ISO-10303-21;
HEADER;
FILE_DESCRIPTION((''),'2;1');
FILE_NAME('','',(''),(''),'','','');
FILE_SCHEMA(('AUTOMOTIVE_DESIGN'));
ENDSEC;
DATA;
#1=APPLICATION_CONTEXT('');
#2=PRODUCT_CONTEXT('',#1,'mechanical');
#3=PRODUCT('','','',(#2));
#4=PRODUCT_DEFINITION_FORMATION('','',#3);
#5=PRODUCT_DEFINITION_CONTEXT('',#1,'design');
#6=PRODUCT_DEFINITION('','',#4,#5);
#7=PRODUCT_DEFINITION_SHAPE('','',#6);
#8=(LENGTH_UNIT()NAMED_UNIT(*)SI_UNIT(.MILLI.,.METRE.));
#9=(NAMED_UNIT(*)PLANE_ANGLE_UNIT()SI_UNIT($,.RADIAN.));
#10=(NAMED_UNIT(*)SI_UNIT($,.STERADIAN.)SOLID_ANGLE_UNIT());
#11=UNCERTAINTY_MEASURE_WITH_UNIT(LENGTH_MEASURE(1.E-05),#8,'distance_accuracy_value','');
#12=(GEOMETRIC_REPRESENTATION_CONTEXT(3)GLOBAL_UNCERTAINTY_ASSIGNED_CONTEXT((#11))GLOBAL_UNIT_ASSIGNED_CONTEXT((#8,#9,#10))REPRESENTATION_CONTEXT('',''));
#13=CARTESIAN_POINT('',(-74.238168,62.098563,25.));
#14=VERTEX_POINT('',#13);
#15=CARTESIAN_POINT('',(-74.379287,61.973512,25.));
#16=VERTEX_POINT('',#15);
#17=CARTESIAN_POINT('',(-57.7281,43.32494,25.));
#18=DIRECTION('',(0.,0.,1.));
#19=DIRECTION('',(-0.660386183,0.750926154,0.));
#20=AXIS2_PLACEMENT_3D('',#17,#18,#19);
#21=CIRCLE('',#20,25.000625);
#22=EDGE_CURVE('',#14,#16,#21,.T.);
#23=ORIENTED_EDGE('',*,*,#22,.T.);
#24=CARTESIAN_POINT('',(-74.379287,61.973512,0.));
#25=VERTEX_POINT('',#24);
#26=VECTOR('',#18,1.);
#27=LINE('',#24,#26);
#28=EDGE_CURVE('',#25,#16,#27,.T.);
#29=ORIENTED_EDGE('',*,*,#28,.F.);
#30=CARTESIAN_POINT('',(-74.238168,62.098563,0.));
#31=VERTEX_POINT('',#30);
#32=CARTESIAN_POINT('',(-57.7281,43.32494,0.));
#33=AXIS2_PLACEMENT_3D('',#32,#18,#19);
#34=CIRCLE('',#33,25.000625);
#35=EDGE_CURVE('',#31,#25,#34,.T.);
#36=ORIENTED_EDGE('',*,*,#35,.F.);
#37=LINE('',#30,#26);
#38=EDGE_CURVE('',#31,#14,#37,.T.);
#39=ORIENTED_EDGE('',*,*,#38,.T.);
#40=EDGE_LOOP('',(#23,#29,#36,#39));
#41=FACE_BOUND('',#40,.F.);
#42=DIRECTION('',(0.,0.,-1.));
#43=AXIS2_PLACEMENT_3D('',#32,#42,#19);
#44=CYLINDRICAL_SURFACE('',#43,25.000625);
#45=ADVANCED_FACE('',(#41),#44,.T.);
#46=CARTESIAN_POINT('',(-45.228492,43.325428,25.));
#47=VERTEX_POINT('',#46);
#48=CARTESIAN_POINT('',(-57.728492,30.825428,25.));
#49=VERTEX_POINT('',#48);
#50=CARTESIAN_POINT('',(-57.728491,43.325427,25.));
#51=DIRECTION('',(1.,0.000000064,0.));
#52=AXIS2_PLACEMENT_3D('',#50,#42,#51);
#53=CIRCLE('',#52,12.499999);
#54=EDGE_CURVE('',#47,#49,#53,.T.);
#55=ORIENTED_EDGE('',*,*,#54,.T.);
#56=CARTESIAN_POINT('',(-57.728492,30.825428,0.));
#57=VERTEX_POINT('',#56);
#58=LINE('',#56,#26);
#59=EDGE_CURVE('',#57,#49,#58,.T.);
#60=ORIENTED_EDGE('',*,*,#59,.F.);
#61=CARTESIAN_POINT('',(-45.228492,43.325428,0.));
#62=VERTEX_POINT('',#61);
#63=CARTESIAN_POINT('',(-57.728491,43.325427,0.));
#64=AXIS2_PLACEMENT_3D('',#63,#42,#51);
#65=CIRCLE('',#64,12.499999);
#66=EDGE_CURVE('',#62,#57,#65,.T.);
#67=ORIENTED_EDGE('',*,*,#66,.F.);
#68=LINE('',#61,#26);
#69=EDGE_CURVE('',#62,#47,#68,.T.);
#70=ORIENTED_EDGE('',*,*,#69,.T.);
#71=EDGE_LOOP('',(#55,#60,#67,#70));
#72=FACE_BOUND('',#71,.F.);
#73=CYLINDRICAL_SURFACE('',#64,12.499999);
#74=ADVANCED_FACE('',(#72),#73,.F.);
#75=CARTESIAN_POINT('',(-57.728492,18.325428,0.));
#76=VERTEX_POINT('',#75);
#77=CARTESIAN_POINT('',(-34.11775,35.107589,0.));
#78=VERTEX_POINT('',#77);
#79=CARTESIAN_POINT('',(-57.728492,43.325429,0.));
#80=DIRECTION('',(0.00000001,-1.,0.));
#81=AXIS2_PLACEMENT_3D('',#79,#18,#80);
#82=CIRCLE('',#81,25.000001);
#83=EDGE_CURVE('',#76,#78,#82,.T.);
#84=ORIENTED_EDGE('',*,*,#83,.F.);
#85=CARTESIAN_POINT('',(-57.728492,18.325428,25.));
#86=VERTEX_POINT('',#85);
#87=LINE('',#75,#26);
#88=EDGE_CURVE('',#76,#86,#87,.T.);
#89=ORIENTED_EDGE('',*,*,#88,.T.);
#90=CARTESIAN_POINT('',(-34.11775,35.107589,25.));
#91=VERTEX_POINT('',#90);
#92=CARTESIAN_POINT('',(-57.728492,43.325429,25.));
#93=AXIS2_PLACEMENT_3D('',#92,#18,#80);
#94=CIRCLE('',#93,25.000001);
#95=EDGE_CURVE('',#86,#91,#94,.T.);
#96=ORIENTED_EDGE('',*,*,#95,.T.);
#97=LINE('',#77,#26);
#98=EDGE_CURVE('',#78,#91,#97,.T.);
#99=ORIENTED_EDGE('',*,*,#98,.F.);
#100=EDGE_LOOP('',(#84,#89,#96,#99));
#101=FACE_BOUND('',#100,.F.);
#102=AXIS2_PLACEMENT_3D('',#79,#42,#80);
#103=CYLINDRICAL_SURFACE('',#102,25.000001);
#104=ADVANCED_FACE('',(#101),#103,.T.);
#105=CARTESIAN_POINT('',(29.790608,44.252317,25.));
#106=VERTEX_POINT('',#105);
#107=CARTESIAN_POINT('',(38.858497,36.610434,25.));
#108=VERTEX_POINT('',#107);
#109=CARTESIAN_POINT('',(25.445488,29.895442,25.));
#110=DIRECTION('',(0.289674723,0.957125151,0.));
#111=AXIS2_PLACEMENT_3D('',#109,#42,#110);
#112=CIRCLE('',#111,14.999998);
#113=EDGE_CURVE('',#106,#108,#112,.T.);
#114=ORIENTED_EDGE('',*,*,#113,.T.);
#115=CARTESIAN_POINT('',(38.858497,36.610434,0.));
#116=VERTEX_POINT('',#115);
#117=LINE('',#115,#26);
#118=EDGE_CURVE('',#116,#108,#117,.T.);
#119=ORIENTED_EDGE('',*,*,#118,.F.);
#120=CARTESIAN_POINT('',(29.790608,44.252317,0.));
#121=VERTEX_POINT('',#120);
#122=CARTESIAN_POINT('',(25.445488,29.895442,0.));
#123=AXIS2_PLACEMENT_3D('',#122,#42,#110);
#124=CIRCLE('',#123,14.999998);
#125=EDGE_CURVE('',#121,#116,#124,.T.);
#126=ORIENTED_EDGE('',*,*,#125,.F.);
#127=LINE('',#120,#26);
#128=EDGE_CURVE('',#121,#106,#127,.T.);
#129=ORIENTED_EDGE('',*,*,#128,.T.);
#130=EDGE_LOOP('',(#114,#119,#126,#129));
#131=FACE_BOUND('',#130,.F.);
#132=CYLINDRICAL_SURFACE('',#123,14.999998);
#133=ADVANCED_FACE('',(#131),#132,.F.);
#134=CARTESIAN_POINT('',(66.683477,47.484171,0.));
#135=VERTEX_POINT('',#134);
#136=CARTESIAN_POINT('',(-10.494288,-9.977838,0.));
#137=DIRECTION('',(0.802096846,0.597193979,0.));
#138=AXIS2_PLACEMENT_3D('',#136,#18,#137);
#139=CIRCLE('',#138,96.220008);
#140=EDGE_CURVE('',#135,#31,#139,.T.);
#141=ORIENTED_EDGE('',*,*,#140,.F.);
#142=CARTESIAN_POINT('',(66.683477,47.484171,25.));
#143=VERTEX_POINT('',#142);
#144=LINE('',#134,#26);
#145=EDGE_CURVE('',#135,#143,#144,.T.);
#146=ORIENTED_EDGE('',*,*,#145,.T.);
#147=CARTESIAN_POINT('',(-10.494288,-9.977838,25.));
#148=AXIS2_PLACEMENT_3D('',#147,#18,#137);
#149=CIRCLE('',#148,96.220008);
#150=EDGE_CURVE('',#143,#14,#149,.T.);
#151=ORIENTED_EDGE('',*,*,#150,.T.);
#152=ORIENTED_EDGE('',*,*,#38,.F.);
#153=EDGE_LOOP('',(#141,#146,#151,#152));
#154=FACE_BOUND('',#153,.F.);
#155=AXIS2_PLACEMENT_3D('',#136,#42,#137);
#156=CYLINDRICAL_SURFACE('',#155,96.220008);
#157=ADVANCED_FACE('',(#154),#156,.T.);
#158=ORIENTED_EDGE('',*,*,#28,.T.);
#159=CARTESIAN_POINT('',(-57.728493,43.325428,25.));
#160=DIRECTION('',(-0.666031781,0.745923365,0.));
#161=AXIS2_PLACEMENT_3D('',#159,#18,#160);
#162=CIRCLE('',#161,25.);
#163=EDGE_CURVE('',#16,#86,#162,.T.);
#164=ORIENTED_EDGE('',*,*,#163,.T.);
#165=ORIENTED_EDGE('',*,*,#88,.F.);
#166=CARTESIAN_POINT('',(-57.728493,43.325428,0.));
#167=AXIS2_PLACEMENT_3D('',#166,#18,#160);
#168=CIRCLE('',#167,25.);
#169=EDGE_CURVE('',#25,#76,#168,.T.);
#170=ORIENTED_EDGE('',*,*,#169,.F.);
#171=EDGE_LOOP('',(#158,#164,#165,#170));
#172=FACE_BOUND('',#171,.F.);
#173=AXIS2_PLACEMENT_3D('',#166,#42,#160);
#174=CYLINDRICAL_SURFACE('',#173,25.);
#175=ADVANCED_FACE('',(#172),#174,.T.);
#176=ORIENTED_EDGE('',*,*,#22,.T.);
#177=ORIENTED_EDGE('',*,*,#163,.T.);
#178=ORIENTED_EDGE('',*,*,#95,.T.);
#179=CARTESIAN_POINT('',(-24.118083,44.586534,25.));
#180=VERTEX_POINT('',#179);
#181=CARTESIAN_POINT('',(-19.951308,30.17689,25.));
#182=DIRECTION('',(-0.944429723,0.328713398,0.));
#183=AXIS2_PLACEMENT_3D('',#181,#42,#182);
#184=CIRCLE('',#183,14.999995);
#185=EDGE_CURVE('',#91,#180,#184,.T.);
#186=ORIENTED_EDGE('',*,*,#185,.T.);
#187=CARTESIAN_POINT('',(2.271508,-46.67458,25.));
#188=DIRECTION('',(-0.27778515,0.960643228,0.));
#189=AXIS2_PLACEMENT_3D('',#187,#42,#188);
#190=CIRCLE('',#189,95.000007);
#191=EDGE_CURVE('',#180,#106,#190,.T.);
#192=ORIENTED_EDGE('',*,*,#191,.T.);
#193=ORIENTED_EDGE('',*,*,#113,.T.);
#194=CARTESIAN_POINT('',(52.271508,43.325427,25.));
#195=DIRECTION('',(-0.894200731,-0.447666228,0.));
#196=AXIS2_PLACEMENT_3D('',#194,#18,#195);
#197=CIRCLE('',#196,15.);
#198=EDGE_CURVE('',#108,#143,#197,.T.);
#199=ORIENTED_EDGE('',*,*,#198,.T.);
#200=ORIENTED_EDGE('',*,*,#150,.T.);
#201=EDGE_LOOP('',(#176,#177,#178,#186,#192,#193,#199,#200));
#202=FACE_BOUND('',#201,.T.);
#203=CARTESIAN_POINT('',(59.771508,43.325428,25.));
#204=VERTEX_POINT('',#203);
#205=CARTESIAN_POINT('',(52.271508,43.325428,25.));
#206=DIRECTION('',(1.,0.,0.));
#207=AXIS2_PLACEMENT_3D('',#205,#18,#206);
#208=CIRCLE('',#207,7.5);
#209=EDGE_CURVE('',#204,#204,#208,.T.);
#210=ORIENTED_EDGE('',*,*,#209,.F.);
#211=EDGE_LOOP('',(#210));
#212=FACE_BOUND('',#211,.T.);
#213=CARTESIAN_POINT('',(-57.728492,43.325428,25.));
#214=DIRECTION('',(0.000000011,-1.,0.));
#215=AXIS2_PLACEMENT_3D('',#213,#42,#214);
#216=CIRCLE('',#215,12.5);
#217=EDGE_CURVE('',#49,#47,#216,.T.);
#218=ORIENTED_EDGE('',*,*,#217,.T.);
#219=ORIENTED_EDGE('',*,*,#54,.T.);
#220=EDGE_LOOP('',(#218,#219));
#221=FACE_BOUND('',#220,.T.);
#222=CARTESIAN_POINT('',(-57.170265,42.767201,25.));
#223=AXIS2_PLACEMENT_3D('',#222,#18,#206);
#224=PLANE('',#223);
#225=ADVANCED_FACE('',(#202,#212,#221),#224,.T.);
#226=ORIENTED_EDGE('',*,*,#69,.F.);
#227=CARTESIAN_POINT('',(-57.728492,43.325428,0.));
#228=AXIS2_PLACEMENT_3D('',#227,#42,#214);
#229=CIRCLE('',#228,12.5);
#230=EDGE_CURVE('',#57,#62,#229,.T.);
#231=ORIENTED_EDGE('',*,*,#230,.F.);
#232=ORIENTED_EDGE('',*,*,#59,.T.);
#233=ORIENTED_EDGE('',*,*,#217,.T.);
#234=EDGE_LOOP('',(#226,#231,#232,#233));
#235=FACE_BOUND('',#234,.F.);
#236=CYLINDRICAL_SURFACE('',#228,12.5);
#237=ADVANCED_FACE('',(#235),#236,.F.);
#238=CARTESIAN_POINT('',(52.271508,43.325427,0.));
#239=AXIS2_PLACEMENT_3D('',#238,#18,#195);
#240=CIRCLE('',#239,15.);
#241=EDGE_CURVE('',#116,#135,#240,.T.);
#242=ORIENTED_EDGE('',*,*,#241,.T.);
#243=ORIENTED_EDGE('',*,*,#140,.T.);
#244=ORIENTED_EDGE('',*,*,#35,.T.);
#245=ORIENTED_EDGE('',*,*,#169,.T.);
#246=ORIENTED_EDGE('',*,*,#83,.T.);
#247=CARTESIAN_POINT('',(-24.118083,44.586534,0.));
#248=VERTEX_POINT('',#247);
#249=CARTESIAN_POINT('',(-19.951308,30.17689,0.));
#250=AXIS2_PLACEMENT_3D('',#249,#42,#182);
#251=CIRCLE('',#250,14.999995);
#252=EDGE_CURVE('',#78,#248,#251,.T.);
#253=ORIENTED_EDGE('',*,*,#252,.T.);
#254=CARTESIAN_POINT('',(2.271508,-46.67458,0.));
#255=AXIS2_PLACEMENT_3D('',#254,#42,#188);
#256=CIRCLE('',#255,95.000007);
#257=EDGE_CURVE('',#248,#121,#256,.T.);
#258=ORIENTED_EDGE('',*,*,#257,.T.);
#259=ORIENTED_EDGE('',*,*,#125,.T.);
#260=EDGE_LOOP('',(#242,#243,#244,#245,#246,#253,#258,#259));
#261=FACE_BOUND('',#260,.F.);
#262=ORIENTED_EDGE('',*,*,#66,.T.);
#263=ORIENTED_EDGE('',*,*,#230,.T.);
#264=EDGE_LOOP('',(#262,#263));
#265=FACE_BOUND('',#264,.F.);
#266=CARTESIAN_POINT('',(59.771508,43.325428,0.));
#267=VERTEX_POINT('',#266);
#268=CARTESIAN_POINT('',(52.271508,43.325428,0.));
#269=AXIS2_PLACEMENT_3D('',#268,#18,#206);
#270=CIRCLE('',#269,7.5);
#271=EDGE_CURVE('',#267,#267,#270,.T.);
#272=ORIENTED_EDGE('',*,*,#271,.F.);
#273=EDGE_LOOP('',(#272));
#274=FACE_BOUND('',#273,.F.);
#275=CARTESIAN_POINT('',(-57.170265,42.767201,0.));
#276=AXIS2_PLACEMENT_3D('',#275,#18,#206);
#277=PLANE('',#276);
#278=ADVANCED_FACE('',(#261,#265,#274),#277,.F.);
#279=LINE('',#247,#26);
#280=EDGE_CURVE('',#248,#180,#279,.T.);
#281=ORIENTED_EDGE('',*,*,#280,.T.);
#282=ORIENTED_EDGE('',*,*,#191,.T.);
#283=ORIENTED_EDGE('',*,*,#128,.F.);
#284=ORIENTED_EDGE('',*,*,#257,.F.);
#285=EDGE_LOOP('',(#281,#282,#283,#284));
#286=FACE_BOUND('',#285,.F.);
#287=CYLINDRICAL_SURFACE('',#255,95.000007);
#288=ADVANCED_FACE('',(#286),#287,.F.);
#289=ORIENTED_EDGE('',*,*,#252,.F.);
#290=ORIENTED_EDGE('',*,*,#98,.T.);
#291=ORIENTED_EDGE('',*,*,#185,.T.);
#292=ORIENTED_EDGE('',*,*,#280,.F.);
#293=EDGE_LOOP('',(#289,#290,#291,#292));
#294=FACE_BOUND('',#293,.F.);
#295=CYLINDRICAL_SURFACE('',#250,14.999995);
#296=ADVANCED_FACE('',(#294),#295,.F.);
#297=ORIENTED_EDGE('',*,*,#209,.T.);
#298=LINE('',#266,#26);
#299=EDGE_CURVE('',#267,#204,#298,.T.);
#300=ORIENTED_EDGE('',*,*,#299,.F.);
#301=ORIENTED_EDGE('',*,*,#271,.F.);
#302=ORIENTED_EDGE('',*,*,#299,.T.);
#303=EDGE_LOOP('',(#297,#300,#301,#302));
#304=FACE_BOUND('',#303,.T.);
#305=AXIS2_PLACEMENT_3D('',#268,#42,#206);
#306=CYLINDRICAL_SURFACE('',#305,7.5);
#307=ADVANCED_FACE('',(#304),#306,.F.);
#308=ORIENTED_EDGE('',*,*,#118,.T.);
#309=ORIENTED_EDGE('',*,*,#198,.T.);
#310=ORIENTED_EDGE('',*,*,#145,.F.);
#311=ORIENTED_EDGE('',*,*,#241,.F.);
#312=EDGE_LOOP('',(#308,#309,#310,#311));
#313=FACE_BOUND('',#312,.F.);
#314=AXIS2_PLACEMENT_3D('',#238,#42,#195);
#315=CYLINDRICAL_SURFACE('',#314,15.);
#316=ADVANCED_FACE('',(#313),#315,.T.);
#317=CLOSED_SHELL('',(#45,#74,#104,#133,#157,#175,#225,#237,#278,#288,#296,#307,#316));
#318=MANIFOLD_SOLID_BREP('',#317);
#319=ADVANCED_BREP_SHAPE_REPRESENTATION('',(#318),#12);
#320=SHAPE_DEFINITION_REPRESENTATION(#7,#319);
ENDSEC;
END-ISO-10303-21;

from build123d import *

# Parameters (mm, degrees)
F0_R     = 7.5
F1_DEPTH = 25


with BuildPart() as f1:
    # F0 (on Top) → F1 (new body)
    with BuildSketch(Plane.XY):
        with BuildLine():
            ThreePointArc((-57.728492, 30.825428), (-48.889657, 34.486593), (-45.228492, 43.325428))
            ThreePointArc((-45.228492, 43.325428), (-66.567327, 52.164263), (-57.728492, 30.825428))
        make_face()
        with BuildLine():
            ThreePointArc((-74.379287, 61.973512), (-81.086597, 34.414819), (-57.728492, 18.325428))
            ThreePointArc((-57.728492, 18.325428), (-43.244811, 22.948407), (-34.11775, 35.107589))
            ThreePointArc((-34.11775, 35.107589), (-30.270674, 41.063145), (-24.118083, 44.586534))
            ThreePointArc((-24.118083, 44.586534), (2.860467, 48.323602), (29.790608, 44.252317))
            ThreePointArc((29.790608, 44.252317), (35.111789, 41.365514), (38.858497, 36.610434))
            ThreePointArc((38.858497, 36.610434), (57.731272, 29.354351), (66.683477, 47.484171))
            ThreePointArc((66.683477, 47.484171), (-0.568945, 85.728888), (-74.238168, 62.098563))
            ThreePointArc((-74.238168, 62.098563), (-74.308758, 62.036072), (-74.379287, 61.973512))
        make_face()
        with BuildLine():
            ThreePointArc((-57.728492, 30.825428), (-66.567327, 52.164263), (-45.228492, 43.325428))
            ThreePointArc((-45.228492, 43.325428), (-48.889657, 34.486593), (-57.728492, 30.825428))
        make_face(mode=Mode.SUBTRACT)
        with Locations((52.271508, 43.325428)):
            Circle(F0_R, mode=Mode.SUBTRACT)
        with BuildLine():
            ThreePointArc((-74.238168, 62.098563), (-74.308846, 62.03617), (-74.379287, 61.973512))
            ThreePointArc((-74.379287, 61.973512), (-74.308758, 62.036072), (-74.238168, 62.098563))
        make_face()
    extrude(amount=F1_DEPTH)


solid = f1.part
